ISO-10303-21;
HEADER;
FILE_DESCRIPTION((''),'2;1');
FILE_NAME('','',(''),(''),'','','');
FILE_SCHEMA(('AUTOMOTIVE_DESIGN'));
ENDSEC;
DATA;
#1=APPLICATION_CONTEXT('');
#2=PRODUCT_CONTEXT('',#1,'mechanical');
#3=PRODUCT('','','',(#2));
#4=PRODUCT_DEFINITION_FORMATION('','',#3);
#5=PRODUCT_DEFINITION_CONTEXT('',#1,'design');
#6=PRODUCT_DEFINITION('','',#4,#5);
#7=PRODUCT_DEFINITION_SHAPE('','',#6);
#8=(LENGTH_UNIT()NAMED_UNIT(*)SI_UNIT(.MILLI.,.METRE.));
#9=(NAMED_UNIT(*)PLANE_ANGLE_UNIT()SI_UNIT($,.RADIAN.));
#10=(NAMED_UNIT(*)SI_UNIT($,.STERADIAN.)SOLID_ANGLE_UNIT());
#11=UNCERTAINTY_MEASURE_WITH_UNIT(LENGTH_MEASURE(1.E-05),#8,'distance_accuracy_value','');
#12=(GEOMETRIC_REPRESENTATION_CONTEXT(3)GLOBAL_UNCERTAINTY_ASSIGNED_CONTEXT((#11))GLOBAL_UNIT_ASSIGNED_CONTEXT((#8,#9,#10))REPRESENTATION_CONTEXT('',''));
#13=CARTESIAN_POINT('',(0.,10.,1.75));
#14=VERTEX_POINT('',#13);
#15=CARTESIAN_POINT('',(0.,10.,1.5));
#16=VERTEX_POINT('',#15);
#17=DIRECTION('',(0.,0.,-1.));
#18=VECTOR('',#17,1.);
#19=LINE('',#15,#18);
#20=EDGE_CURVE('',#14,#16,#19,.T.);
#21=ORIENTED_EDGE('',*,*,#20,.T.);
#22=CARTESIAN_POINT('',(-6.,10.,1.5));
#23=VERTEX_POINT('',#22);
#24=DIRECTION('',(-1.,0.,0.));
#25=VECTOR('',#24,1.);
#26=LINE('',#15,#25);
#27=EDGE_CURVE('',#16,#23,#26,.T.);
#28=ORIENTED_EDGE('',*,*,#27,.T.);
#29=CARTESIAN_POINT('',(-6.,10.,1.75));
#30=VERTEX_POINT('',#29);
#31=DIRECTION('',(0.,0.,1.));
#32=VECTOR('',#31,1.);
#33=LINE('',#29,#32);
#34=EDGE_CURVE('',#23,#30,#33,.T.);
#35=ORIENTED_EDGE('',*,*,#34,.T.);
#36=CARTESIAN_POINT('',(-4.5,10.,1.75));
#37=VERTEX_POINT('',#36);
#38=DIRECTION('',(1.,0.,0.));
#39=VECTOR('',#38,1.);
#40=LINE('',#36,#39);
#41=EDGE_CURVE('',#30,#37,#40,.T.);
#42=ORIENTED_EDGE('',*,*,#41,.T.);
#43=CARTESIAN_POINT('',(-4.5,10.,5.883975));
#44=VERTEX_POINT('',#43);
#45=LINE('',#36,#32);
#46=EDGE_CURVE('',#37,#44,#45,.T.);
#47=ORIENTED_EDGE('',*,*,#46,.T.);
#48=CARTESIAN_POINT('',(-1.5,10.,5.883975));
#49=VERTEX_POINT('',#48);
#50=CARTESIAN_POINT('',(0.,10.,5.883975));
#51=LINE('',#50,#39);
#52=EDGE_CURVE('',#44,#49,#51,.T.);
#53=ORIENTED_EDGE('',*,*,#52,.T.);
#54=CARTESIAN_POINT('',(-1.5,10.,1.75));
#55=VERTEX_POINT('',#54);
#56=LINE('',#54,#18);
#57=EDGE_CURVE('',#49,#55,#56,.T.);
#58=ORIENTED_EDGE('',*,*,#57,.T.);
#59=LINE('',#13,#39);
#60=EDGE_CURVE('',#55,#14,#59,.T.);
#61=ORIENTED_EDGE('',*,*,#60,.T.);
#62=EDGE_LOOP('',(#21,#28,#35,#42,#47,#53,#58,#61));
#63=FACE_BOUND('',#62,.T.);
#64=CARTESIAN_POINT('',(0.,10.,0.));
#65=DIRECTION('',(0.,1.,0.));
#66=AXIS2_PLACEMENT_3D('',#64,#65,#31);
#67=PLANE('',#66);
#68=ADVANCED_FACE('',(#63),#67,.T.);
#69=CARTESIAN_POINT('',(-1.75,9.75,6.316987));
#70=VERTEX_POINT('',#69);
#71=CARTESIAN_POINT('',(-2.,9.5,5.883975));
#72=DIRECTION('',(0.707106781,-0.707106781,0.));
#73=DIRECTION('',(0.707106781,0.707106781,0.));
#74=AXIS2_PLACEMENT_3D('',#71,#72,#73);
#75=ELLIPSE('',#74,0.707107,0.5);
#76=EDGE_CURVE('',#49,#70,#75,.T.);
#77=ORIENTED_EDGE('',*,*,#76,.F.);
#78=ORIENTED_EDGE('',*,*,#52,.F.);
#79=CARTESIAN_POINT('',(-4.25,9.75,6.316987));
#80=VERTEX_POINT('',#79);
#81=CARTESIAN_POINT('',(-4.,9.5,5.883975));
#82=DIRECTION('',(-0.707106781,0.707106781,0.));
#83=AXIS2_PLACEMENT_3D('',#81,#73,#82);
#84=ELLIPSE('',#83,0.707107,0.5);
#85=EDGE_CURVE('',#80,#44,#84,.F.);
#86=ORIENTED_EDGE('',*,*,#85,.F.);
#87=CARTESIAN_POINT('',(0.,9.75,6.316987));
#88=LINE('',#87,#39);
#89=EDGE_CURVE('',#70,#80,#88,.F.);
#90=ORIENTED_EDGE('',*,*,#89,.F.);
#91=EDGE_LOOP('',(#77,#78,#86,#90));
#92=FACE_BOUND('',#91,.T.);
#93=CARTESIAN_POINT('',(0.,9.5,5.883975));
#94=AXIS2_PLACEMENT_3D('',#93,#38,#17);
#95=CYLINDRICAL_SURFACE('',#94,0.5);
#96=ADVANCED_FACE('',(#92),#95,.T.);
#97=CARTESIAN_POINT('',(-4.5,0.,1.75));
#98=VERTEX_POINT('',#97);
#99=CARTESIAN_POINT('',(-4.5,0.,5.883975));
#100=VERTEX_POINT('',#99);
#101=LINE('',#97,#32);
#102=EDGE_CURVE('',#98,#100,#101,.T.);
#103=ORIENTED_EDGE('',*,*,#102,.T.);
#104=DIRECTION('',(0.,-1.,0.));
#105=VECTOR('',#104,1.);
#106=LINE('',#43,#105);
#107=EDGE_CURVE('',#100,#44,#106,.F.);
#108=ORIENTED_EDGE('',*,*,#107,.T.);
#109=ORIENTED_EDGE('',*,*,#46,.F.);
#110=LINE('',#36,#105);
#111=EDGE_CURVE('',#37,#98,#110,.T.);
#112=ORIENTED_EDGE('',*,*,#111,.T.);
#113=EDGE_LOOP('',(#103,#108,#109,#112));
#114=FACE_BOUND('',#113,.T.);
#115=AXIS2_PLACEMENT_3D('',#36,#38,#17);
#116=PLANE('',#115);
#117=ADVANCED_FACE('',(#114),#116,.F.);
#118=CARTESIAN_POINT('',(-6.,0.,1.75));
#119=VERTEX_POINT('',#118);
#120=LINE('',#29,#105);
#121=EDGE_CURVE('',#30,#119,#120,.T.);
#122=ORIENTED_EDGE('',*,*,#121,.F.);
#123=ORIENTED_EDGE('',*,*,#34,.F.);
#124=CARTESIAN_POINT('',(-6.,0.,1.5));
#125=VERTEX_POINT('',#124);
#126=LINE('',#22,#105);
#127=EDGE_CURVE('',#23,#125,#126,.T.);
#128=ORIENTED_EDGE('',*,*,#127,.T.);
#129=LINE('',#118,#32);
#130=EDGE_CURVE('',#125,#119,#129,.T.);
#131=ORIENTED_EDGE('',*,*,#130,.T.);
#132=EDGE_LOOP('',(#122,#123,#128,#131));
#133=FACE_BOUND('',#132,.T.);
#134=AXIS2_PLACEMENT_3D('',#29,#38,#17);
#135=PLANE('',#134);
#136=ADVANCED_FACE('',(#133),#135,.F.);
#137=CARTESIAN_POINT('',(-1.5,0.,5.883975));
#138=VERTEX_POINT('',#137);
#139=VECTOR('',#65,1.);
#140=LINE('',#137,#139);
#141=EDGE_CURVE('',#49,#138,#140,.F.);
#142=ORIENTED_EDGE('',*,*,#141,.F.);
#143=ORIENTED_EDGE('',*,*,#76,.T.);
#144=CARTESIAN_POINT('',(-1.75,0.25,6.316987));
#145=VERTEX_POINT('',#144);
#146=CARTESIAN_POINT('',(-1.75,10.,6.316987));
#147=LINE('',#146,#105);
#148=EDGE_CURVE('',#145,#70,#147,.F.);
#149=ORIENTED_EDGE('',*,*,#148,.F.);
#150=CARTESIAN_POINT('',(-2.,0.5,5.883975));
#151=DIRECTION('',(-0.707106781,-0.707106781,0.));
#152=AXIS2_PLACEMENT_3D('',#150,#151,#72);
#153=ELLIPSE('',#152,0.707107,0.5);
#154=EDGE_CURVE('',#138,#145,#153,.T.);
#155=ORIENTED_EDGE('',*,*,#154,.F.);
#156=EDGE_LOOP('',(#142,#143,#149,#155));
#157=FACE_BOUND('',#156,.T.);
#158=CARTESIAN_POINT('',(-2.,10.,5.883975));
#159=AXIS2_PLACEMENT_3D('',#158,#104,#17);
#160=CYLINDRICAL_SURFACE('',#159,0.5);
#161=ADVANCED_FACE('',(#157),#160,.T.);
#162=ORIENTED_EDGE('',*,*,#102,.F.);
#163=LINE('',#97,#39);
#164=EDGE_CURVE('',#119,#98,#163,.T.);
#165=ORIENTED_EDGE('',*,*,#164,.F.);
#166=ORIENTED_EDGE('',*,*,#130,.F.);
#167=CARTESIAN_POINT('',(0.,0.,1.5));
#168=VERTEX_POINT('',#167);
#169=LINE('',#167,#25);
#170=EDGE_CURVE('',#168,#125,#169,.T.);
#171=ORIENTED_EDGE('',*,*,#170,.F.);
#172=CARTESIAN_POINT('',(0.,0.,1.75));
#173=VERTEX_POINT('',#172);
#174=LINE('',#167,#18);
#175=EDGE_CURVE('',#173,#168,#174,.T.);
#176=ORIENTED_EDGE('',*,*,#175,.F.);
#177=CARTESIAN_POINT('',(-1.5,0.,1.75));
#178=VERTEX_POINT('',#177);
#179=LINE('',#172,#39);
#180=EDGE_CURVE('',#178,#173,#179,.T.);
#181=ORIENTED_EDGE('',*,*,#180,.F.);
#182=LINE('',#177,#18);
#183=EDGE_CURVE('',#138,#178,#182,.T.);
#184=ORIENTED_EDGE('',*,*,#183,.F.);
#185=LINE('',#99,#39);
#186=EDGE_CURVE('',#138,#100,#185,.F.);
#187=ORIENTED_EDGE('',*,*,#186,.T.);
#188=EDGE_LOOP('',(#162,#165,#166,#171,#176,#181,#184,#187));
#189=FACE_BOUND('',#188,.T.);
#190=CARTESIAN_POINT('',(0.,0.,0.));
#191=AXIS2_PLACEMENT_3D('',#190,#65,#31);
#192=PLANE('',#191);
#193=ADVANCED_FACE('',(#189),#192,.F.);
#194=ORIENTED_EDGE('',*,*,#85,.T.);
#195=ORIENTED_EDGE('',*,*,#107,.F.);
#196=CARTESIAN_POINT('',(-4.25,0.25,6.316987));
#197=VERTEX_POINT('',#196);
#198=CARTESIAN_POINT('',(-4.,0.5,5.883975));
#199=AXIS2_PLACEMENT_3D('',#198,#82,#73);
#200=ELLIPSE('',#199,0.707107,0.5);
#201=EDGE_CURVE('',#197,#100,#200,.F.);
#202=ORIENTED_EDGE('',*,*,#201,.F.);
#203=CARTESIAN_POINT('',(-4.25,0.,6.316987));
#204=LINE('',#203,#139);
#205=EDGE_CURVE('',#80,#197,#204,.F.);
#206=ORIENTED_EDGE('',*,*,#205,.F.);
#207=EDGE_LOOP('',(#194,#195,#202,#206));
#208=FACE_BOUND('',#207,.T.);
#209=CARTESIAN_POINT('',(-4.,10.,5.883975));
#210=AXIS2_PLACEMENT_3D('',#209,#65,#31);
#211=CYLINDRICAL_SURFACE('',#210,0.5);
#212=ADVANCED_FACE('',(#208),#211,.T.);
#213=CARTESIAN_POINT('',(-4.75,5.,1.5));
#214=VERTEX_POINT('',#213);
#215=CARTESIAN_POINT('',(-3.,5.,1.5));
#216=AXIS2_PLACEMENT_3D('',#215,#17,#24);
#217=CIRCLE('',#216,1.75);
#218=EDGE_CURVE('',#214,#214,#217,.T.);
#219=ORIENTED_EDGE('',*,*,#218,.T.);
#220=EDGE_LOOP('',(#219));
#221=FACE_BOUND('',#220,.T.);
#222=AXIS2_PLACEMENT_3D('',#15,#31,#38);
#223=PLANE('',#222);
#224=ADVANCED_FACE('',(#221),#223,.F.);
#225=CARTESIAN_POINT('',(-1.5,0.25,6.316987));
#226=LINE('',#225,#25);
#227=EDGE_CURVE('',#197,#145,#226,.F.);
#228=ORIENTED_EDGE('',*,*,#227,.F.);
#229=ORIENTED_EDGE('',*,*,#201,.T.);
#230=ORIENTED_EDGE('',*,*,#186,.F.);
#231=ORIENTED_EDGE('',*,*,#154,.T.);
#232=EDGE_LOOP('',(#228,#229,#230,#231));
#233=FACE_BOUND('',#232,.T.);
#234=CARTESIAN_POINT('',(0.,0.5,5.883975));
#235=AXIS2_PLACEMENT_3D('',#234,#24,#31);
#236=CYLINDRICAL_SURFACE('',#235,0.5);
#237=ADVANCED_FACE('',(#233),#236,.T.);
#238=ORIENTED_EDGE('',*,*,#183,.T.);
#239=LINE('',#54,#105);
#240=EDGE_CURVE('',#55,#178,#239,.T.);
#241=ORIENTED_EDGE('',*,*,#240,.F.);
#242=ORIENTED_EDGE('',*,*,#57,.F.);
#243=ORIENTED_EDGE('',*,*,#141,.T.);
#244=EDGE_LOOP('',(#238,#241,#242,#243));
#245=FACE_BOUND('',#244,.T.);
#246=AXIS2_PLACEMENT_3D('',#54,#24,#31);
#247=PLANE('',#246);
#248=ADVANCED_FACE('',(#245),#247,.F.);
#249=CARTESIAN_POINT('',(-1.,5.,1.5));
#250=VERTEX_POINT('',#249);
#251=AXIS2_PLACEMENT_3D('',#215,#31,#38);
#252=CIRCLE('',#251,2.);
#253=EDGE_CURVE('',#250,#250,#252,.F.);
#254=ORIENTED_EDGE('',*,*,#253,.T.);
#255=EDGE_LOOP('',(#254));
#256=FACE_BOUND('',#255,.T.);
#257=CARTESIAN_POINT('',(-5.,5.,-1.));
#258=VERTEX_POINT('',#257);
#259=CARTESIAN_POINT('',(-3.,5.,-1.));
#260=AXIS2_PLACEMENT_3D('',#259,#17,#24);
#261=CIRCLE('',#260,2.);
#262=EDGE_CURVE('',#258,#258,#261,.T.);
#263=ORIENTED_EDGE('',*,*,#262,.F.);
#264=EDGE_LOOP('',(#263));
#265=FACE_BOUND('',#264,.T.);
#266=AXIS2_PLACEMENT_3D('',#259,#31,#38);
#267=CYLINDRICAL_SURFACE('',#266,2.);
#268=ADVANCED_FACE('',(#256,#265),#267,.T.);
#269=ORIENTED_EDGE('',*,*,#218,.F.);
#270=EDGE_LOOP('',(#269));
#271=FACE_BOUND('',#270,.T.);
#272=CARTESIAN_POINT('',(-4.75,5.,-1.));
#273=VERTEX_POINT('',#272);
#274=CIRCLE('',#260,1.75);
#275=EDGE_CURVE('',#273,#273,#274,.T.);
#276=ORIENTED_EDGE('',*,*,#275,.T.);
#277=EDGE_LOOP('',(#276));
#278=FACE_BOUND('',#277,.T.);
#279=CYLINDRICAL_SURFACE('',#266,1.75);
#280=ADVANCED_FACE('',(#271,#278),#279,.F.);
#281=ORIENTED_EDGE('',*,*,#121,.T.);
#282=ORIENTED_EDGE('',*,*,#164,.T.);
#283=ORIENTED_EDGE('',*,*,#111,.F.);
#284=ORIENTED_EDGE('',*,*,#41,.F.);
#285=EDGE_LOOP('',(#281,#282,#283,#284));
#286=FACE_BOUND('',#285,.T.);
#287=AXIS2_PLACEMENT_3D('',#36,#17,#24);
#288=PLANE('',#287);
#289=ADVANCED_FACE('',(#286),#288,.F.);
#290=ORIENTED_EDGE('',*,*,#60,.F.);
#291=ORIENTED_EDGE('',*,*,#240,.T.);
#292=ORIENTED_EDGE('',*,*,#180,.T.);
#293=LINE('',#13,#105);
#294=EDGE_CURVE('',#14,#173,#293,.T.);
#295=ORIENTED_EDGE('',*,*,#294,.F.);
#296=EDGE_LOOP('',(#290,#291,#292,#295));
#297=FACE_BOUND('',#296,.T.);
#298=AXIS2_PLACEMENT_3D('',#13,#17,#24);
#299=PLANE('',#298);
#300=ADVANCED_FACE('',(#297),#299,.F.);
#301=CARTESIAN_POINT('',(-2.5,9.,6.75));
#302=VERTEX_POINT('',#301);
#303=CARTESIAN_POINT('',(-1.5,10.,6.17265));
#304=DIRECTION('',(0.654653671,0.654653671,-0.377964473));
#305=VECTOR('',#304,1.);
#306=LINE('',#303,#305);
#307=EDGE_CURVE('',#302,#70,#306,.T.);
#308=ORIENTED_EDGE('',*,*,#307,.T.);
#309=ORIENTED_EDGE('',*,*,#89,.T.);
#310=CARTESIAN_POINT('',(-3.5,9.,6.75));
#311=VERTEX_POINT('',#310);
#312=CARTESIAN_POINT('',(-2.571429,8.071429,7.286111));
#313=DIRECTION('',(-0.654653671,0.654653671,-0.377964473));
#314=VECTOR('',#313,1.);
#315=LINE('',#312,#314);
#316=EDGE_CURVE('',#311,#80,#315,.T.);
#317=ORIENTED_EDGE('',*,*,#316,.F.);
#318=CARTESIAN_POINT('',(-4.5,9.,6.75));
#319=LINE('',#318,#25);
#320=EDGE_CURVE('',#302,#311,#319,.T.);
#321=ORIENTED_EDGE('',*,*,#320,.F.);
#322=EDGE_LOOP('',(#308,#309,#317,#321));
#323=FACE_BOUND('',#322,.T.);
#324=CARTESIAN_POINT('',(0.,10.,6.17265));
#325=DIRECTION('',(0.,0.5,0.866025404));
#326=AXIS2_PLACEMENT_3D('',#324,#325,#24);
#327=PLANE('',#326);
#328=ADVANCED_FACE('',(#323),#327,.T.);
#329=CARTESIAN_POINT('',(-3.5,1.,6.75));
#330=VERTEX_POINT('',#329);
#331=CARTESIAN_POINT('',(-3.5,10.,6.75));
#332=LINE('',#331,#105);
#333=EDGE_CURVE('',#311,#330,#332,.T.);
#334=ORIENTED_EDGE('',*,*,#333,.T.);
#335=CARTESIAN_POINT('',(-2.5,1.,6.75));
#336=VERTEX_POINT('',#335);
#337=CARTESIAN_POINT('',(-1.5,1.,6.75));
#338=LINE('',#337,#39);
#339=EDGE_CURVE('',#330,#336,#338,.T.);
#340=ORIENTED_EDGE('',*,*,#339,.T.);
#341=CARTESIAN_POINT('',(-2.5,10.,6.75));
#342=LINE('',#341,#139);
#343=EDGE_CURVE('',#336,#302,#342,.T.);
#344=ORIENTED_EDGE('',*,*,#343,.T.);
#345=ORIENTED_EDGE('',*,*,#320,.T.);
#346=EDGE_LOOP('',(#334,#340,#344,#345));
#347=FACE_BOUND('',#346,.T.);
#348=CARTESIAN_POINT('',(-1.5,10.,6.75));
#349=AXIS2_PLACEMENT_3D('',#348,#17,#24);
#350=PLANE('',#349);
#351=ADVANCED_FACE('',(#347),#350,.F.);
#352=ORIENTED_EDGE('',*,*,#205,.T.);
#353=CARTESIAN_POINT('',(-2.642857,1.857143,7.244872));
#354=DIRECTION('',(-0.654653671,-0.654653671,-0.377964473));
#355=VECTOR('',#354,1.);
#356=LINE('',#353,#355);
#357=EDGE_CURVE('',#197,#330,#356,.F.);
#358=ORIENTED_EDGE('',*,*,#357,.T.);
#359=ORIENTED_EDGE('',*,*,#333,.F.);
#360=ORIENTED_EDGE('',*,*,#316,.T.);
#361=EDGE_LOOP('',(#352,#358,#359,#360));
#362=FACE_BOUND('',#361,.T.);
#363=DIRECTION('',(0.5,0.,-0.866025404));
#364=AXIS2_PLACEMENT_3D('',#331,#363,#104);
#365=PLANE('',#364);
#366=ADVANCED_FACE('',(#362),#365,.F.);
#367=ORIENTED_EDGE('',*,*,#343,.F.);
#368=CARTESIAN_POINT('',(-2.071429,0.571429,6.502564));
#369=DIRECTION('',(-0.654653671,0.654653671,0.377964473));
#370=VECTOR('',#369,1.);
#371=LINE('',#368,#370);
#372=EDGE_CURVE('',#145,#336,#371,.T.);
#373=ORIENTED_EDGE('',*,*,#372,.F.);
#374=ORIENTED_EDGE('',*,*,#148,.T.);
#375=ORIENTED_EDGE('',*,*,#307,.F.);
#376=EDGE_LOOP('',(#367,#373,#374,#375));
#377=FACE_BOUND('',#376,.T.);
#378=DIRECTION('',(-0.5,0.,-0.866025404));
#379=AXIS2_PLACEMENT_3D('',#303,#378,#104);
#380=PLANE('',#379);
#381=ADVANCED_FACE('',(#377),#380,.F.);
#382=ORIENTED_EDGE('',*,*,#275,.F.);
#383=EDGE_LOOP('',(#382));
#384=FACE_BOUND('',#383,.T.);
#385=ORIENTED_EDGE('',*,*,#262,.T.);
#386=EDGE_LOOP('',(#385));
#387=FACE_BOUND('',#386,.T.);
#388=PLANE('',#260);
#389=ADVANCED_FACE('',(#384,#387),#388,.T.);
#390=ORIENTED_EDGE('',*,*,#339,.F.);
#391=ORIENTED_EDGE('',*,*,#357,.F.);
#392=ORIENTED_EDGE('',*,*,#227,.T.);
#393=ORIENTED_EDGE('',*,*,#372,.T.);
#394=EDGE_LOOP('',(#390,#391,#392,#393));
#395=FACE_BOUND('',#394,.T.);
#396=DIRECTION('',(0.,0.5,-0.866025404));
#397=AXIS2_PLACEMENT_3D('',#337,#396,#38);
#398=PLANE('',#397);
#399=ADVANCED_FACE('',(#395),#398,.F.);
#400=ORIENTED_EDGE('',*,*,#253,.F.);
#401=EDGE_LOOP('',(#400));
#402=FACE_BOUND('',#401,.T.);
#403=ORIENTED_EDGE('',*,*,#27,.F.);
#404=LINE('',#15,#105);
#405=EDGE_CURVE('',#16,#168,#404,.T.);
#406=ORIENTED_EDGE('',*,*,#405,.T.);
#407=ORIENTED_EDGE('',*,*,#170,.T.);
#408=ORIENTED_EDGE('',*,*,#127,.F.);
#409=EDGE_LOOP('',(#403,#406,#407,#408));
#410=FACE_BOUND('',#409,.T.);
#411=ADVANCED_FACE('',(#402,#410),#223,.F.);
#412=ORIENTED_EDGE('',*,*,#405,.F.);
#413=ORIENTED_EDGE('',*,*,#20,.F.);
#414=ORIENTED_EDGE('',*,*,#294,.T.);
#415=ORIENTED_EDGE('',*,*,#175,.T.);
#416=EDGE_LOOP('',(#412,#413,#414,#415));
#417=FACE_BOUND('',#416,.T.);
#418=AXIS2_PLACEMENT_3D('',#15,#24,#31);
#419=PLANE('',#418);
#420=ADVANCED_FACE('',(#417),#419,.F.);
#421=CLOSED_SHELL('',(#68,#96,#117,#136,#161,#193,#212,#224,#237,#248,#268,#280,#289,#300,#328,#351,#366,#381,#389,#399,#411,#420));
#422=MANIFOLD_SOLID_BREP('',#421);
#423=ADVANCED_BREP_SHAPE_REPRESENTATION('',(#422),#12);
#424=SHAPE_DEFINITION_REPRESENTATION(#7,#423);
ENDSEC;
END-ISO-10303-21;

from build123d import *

# Parameters (mm, degrees)
BOSS_EXTRUDE1_DEPTH = 10
CHAMFER4_SIZE       = 1
CHAMFER4_SIZE2      = 0.577350269
FILLET3_R           = 0.5
SKETCH3_R           = 2
SKETCH3_R_2         = 1.75
BOSS_EXTRUDE3_DEPTH = 2.5


with BuildPart() as part:
    # Sketch1 → Boss-Extrude1 (new body)
    with BuildSketch(Plane(origin=(0, 0, 0), x_dir=(-1, 0, 0), z_dir=(0, 1, 0))):
        Polygon((0, 1.5), (0, 1.75), (1.5, 1.75), (1.5, 6.75), (4.5, 6.75), (4.5, 1.75), (6, 1.75), (6, 1.5), align=None)
    extrude(amount=BOSS_EXTRUDE1_DEPTH)

    # Chamfer4
    chamfer4_edges = [part.edges().sort_by_distance(p)[0] for p in [
        (-1.5, 5, 6.75),
        (-4.5, 5, 6.75),
        (-3, 10, 6.75),
        (-3, 0, 6.75),
    ]]
    chamfer4_side = [part.faces().sort_by_distance(p)[0] for p in [
        (-3, 5, 6.75),
    ]]
    chamfer(chamfer4_edges, length=CHAMFER4_SIZE, length2=CHAMFER4_SIZE2, reference=chamfer4_side[0])

    # Fillet3
    fillet3_edges = [part.edges().sort_by_distance(p)[0] for p in [
        (-4.5, 5, 6.172649731),
        (-3, 10, 6.172649731),
        (-1.5, 5, 6.172649731),
        (-3, 0, 6.172649731),
    ]]
    fillet(fillet3_edges, radius=FILLET3_R)

    # Sketch3 → Boss-Extrude3 (add)
    with BuildSketch(Plane(origin=(0, 0, 1.5), x_dir=(1, 0, 0), z_dir=(0, 0, -1))):
        with Locations((-3, -5)):
            Circle(SKETCH3_R)
        with Locations(Location((-3, -5, 0), (0, 0, 180))):
            Circle(SKETCH3_R_2, mode=Mode.SUBTRACT)
    extrude(amount=BOSS_EXTRUDE3_DEPTH)


solid = part.part
